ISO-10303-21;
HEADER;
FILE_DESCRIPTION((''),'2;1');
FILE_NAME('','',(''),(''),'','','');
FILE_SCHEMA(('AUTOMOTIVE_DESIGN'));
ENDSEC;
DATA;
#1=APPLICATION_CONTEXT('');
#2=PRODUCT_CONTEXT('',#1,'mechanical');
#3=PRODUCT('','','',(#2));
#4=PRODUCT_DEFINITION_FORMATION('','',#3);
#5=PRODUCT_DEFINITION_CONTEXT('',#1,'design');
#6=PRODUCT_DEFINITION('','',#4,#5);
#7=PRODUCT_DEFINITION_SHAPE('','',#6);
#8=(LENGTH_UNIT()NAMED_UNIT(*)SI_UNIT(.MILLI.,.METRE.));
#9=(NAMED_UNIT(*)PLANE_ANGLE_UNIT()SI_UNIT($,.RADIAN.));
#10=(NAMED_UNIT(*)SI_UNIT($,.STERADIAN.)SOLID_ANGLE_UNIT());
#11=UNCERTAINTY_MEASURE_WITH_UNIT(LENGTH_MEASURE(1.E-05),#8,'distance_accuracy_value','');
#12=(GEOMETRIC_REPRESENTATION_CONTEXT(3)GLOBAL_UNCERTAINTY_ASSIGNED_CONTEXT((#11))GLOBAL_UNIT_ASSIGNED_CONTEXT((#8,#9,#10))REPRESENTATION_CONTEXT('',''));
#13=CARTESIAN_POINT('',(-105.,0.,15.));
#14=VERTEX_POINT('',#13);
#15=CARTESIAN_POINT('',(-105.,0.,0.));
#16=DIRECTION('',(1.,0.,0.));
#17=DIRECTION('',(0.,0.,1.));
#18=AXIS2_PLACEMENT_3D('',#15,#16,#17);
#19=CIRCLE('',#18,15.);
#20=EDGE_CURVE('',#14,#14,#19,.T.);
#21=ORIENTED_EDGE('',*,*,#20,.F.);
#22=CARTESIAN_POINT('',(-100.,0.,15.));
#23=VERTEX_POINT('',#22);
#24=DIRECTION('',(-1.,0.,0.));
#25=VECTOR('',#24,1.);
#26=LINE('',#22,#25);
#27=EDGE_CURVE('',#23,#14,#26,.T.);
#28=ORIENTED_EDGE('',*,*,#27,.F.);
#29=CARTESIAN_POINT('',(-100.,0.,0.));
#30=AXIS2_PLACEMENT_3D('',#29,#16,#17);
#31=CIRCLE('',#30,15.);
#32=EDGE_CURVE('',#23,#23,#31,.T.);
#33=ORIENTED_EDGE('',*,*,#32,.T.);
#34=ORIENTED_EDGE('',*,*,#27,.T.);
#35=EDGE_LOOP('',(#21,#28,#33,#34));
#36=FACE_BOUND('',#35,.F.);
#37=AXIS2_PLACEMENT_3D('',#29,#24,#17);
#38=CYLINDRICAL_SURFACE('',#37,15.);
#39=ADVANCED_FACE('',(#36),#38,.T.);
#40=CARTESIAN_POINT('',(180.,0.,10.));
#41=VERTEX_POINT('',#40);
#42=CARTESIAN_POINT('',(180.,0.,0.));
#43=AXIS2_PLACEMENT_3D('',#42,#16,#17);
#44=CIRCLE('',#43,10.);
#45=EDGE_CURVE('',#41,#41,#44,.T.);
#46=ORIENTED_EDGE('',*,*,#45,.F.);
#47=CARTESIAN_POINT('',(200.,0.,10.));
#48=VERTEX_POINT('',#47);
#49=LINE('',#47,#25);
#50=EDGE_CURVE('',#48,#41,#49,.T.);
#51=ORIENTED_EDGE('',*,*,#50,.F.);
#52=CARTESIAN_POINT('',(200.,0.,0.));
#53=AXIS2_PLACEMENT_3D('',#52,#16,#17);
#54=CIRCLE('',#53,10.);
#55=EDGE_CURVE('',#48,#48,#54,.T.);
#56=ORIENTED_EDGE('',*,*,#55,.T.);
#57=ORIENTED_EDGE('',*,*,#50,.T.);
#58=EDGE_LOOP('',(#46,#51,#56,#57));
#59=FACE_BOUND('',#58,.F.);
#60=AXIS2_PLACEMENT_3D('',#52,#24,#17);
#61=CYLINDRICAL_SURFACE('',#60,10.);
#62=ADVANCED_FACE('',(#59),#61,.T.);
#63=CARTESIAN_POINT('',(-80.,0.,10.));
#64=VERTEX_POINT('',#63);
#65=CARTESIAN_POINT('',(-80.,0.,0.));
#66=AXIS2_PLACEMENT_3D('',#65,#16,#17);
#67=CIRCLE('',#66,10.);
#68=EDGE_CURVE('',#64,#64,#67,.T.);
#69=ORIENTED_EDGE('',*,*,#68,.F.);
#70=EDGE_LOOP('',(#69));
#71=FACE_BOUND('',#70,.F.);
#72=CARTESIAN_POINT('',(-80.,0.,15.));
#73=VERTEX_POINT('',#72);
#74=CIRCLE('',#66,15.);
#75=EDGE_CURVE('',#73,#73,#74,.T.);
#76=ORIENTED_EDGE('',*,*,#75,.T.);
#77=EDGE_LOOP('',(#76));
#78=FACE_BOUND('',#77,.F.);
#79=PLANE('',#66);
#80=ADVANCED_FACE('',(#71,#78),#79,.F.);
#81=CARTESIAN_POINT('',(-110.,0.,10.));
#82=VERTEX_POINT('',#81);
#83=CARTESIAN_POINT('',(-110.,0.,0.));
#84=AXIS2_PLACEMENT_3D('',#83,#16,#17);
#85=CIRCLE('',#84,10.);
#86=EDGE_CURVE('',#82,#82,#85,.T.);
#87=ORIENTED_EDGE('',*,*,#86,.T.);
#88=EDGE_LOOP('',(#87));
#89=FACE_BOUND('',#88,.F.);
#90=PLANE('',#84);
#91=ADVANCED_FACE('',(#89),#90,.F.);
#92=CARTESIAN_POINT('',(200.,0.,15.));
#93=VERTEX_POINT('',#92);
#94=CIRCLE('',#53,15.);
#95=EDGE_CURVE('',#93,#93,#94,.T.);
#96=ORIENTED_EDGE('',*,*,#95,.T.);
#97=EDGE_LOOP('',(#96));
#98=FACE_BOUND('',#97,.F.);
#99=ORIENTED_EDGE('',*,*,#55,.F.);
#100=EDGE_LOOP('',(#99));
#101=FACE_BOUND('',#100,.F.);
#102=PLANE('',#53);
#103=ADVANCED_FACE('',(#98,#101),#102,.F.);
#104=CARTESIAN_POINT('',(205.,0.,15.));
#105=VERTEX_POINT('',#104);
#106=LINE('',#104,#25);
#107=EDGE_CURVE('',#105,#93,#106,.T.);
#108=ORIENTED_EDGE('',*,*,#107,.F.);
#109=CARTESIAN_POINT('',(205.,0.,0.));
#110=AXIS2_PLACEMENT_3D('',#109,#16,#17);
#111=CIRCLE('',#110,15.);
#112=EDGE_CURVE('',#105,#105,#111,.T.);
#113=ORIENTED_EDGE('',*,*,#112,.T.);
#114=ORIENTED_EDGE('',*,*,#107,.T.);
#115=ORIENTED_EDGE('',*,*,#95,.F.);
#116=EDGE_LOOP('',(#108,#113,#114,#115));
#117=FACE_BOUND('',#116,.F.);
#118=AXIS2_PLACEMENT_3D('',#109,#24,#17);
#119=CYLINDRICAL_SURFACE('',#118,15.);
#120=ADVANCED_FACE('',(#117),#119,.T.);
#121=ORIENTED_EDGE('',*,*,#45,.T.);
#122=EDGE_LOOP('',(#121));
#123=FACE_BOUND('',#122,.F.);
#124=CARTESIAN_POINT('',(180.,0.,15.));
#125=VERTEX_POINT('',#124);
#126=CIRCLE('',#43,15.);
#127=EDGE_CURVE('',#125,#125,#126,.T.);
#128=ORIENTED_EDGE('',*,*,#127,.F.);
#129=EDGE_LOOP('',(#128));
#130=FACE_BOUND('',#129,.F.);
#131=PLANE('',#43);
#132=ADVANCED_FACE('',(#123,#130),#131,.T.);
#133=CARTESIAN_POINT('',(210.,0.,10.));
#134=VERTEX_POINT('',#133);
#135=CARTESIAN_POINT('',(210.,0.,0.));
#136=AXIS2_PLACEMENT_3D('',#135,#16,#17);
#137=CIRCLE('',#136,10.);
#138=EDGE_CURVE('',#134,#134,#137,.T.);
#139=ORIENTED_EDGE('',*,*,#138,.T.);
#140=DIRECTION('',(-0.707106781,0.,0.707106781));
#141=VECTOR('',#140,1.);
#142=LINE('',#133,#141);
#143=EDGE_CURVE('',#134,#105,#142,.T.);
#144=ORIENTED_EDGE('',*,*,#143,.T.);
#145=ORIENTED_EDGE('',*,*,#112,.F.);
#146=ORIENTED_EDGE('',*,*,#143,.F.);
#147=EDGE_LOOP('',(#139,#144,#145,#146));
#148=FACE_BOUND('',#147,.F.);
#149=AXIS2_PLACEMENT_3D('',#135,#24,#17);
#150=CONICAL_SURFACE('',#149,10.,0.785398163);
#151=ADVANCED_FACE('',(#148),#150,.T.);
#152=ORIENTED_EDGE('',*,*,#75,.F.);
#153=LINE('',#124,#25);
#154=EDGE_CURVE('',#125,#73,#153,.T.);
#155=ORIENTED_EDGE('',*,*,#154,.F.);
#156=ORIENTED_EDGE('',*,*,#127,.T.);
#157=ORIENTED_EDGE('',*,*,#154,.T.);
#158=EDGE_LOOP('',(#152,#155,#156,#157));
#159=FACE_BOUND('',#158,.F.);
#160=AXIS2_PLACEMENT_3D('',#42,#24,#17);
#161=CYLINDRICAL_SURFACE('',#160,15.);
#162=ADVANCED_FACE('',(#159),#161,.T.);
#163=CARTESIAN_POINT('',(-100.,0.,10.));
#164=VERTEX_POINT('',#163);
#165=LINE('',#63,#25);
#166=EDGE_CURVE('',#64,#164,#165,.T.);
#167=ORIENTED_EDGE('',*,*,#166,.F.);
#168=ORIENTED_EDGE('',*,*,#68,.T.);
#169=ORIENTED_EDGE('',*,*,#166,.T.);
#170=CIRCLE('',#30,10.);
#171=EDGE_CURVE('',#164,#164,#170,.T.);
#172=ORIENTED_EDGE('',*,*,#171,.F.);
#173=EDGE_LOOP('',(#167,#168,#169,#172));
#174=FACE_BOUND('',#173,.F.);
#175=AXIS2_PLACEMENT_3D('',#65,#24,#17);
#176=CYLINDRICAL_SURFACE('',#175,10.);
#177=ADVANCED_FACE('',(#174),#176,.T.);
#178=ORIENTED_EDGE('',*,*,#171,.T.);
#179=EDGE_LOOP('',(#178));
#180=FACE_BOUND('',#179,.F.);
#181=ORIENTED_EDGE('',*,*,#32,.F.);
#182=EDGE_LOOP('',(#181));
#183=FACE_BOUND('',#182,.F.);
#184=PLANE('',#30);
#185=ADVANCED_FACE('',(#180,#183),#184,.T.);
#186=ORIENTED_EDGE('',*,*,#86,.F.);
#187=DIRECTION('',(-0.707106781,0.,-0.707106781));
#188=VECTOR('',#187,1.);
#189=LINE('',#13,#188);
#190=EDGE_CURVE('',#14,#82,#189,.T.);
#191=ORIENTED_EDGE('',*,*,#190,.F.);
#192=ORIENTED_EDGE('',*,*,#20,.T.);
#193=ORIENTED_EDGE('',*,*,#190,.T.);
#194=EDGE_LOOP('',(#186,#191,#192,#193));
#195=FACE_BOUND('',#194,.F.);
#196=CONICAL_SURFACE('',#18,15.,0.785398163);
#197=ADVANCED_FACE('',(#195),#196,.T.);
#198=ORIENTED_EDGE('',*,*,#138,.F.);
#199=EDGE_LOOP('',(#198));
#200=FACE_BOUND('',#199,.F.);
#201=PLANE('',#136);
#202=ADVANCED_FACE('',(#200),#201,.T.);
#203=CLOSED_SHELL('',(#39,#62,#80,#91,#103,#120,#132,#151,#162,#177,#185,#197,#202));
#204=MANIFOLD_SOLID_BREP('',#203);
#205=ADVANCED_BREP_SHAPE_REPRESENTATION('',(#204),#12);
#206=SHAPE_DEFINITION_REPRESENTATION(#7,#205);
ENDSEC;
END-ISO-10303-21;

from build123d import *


with BuildPart() as f1:
    # F0 (on Front) → F1 (revolve)
    with BuildSketch(Plane.XZ):
        Polygon((-110, 0), (50, 0), (210, 0), (210, 10), (205, 15), (200, 15), (200, 10), (180, 10), (180, 15), (-80, 15), (-80, 10), (-100, 10), (-100, 15), (-105, 15), (-110, 10), align=None)
    revolve(axis=Axis((-30, 0, 0), (1, 0, 0)))


solid = f1.part
